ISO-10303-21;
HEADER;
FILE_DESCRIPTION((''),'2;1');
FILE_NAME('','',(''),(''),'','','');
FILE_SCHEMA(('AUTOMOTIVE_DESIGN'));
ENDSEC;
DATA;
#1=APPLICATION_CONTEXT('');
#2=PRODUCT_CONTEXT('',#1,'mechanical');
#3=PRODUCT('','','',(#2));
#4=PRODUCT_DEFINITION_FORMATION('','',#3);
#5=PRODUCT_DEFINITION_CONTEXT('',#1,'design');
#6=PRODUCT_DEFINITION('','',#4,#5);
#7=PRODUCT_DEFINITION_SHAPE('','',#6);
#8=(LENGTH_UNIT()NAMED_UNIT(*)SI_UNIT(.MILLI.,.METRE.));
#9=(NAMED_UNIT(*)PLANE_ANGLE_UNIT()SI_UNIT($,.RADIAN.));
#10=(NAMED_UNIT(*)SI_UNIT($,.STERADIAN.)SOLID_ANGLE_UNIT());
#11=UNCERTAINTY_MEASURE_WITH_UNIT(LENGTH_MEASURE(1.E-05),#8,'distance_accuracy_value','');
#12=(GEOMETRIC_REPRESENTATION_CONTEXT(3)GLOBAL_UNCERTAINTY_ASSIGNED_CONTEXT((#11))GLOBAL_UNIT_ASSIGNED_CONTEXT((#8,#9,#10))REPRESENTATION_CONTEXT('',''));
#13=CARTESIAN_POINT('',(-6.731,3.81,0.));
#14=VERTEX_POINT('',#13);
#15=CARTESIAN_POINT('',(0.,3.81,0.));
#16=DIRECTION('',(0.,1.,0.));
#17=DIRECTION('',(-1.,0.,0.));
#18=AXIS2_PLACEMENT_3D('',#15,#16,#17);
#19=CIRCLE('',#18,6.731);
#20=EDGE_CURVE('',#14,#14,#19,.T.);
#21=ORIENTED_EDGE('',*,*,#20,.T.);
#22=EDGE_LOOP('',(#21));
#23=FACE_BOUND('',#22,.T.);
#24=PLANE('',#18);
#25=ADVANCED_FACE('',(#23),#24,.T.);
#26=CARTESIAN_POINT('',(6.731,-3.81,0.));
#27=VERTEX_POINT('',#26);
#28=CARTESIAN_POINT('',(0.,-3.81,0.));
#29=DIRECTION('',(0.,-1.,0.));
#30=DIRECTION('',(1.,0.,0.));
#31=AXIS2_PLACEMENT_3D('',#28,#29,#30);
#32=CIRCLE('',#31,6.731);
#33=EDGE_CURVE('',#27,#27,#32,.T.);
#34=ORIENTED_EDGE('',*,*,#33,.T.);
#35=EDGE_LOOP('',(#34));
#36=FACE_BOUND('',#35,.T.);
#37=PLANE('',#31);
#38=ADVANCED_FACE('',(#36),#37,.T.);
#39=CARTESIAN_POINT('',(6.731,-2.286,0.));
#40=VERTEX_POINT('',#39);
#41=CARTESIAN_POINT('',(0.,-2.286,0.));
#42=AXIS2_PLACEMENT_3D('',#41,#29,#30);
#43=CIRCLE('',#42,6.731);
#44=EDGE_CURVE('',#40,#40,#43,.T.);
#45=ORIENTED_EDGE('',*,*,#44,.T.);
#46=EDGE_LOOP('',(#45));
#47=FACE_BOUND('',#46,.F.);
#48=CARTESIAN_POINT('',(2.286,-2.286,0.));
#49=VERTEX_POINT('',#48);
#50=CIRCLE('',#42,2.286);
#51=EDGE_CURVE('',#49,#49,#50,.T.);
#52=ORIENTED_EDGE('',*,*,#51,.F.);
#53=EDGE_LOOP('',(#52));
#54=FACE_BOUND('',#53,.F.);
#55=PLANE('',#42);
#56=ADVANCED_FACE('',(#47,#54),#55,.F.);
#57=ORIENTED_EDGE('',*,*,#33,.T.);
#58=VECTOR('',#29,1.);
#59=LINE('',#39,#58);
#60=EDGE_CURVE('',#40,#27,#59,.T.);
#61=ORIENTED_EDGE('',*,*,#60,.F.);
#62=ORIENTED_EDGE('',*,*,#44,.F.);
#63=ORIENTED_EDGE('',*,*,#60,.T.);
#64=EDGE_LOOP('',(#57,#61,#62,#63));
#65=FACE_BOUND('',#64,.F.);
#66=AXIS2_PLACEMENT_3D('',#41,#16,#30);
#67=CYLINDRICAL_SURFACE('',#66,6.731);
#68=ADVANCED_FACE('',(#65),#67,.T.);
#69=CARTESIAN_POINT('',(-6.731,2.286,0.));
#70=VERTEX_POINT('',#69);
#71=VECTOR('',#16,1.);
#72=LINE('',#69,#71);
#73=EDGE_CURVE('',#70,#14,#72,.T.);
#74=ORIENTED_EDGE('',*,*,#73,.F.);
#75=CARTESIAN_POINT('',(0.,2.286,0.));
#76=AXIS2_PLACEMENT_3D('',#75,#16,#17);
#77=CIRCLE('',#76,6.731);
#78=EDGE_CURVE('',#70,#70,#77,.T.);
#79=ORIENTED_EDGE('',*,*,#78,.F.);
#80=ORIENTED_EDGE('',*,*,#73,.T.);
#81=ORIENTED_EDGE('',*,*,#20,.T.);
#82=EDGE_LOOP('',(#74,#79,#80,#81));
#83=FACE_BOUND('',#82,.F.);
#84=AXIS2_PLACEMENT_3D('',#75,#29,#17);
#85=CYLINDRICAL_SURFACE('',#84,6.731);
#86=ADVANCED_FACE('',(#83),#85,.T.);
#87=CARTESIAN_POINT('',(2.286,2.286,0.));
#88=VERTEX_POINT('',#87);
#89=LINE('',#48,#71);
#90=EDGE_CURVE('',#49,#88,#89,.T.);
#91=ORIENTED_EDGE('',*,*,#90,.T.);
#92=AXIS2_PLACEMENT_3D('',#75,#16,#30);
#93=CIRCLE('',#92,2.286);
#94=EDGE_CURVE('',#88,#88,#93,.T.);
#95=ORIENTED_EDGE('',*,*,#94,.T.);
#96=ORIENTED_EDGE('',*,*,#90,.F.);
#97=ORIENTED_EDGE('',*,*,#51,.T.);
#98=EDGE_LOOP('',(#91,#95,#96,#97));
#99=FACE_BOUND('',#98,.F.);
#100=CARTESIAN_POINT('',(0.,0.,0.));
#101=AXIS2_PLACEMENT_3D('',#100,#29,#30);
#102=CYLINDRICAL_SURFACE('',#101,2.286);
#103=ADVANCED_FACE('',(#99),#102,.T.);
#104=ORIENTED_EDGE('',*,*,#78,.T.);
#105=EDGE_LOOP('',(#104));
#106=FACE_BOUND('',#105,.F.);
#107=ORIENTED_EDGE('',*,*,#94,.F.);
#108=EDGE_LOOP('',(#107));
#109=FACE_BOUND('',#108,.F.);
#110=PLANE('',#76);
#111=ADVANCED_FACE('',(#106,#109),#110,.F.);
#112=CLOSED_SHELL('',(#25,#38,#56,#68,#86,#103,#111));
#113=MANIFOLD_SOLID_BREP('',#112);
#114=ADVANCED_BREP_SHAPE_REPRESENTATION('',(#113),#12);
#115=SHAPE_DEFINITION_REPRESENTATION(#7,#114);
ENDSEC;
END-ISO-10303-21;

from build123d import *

# Parameters (mm, degrees)
F0_R      = 2.286
F1_DEPTH  = 2.286
F1_FACE_R = 2.286
F2_DEPTH  = 2.286
F3_R      = 6.731
F4_DEPTH  = 1.524
F5_R      = 6.731
F6_DEPTH  = 1.524


with BuildPart() as f1:
    # F0 (on Front) → F1 (new body)
    with BuildSketch(Plane.XZ):
        Circle(F0_R)
    extrude(amount=F1_DEPTH)

    # F1_face (on face) → F2 (join)
    with BuildSketch(Plane(origin=(0, 0, 0), x_dir=(1, 0, 0), z_dir=(0, 1, 0))):
        Circle(F1_FACE_R)
    extrude(amount=F2_DEPTH)

    # F3 (on face) → F4 (join)
    with BuildSketch(Plane(origin=(0, 2.286, 0), x_dir=(-1, 0, 0), z_dir=(0, 1, 0))):
        Circle(F3_R)
    extrude(amount=F4_DEPTH)

    # F5 (on face) → F6 (join)
    with BuildSketch(Plane.XZ.offset(2.286)):
        Circle(F5_R)
    extrude(amount=F6_DEPTH)


solid = f1.part
